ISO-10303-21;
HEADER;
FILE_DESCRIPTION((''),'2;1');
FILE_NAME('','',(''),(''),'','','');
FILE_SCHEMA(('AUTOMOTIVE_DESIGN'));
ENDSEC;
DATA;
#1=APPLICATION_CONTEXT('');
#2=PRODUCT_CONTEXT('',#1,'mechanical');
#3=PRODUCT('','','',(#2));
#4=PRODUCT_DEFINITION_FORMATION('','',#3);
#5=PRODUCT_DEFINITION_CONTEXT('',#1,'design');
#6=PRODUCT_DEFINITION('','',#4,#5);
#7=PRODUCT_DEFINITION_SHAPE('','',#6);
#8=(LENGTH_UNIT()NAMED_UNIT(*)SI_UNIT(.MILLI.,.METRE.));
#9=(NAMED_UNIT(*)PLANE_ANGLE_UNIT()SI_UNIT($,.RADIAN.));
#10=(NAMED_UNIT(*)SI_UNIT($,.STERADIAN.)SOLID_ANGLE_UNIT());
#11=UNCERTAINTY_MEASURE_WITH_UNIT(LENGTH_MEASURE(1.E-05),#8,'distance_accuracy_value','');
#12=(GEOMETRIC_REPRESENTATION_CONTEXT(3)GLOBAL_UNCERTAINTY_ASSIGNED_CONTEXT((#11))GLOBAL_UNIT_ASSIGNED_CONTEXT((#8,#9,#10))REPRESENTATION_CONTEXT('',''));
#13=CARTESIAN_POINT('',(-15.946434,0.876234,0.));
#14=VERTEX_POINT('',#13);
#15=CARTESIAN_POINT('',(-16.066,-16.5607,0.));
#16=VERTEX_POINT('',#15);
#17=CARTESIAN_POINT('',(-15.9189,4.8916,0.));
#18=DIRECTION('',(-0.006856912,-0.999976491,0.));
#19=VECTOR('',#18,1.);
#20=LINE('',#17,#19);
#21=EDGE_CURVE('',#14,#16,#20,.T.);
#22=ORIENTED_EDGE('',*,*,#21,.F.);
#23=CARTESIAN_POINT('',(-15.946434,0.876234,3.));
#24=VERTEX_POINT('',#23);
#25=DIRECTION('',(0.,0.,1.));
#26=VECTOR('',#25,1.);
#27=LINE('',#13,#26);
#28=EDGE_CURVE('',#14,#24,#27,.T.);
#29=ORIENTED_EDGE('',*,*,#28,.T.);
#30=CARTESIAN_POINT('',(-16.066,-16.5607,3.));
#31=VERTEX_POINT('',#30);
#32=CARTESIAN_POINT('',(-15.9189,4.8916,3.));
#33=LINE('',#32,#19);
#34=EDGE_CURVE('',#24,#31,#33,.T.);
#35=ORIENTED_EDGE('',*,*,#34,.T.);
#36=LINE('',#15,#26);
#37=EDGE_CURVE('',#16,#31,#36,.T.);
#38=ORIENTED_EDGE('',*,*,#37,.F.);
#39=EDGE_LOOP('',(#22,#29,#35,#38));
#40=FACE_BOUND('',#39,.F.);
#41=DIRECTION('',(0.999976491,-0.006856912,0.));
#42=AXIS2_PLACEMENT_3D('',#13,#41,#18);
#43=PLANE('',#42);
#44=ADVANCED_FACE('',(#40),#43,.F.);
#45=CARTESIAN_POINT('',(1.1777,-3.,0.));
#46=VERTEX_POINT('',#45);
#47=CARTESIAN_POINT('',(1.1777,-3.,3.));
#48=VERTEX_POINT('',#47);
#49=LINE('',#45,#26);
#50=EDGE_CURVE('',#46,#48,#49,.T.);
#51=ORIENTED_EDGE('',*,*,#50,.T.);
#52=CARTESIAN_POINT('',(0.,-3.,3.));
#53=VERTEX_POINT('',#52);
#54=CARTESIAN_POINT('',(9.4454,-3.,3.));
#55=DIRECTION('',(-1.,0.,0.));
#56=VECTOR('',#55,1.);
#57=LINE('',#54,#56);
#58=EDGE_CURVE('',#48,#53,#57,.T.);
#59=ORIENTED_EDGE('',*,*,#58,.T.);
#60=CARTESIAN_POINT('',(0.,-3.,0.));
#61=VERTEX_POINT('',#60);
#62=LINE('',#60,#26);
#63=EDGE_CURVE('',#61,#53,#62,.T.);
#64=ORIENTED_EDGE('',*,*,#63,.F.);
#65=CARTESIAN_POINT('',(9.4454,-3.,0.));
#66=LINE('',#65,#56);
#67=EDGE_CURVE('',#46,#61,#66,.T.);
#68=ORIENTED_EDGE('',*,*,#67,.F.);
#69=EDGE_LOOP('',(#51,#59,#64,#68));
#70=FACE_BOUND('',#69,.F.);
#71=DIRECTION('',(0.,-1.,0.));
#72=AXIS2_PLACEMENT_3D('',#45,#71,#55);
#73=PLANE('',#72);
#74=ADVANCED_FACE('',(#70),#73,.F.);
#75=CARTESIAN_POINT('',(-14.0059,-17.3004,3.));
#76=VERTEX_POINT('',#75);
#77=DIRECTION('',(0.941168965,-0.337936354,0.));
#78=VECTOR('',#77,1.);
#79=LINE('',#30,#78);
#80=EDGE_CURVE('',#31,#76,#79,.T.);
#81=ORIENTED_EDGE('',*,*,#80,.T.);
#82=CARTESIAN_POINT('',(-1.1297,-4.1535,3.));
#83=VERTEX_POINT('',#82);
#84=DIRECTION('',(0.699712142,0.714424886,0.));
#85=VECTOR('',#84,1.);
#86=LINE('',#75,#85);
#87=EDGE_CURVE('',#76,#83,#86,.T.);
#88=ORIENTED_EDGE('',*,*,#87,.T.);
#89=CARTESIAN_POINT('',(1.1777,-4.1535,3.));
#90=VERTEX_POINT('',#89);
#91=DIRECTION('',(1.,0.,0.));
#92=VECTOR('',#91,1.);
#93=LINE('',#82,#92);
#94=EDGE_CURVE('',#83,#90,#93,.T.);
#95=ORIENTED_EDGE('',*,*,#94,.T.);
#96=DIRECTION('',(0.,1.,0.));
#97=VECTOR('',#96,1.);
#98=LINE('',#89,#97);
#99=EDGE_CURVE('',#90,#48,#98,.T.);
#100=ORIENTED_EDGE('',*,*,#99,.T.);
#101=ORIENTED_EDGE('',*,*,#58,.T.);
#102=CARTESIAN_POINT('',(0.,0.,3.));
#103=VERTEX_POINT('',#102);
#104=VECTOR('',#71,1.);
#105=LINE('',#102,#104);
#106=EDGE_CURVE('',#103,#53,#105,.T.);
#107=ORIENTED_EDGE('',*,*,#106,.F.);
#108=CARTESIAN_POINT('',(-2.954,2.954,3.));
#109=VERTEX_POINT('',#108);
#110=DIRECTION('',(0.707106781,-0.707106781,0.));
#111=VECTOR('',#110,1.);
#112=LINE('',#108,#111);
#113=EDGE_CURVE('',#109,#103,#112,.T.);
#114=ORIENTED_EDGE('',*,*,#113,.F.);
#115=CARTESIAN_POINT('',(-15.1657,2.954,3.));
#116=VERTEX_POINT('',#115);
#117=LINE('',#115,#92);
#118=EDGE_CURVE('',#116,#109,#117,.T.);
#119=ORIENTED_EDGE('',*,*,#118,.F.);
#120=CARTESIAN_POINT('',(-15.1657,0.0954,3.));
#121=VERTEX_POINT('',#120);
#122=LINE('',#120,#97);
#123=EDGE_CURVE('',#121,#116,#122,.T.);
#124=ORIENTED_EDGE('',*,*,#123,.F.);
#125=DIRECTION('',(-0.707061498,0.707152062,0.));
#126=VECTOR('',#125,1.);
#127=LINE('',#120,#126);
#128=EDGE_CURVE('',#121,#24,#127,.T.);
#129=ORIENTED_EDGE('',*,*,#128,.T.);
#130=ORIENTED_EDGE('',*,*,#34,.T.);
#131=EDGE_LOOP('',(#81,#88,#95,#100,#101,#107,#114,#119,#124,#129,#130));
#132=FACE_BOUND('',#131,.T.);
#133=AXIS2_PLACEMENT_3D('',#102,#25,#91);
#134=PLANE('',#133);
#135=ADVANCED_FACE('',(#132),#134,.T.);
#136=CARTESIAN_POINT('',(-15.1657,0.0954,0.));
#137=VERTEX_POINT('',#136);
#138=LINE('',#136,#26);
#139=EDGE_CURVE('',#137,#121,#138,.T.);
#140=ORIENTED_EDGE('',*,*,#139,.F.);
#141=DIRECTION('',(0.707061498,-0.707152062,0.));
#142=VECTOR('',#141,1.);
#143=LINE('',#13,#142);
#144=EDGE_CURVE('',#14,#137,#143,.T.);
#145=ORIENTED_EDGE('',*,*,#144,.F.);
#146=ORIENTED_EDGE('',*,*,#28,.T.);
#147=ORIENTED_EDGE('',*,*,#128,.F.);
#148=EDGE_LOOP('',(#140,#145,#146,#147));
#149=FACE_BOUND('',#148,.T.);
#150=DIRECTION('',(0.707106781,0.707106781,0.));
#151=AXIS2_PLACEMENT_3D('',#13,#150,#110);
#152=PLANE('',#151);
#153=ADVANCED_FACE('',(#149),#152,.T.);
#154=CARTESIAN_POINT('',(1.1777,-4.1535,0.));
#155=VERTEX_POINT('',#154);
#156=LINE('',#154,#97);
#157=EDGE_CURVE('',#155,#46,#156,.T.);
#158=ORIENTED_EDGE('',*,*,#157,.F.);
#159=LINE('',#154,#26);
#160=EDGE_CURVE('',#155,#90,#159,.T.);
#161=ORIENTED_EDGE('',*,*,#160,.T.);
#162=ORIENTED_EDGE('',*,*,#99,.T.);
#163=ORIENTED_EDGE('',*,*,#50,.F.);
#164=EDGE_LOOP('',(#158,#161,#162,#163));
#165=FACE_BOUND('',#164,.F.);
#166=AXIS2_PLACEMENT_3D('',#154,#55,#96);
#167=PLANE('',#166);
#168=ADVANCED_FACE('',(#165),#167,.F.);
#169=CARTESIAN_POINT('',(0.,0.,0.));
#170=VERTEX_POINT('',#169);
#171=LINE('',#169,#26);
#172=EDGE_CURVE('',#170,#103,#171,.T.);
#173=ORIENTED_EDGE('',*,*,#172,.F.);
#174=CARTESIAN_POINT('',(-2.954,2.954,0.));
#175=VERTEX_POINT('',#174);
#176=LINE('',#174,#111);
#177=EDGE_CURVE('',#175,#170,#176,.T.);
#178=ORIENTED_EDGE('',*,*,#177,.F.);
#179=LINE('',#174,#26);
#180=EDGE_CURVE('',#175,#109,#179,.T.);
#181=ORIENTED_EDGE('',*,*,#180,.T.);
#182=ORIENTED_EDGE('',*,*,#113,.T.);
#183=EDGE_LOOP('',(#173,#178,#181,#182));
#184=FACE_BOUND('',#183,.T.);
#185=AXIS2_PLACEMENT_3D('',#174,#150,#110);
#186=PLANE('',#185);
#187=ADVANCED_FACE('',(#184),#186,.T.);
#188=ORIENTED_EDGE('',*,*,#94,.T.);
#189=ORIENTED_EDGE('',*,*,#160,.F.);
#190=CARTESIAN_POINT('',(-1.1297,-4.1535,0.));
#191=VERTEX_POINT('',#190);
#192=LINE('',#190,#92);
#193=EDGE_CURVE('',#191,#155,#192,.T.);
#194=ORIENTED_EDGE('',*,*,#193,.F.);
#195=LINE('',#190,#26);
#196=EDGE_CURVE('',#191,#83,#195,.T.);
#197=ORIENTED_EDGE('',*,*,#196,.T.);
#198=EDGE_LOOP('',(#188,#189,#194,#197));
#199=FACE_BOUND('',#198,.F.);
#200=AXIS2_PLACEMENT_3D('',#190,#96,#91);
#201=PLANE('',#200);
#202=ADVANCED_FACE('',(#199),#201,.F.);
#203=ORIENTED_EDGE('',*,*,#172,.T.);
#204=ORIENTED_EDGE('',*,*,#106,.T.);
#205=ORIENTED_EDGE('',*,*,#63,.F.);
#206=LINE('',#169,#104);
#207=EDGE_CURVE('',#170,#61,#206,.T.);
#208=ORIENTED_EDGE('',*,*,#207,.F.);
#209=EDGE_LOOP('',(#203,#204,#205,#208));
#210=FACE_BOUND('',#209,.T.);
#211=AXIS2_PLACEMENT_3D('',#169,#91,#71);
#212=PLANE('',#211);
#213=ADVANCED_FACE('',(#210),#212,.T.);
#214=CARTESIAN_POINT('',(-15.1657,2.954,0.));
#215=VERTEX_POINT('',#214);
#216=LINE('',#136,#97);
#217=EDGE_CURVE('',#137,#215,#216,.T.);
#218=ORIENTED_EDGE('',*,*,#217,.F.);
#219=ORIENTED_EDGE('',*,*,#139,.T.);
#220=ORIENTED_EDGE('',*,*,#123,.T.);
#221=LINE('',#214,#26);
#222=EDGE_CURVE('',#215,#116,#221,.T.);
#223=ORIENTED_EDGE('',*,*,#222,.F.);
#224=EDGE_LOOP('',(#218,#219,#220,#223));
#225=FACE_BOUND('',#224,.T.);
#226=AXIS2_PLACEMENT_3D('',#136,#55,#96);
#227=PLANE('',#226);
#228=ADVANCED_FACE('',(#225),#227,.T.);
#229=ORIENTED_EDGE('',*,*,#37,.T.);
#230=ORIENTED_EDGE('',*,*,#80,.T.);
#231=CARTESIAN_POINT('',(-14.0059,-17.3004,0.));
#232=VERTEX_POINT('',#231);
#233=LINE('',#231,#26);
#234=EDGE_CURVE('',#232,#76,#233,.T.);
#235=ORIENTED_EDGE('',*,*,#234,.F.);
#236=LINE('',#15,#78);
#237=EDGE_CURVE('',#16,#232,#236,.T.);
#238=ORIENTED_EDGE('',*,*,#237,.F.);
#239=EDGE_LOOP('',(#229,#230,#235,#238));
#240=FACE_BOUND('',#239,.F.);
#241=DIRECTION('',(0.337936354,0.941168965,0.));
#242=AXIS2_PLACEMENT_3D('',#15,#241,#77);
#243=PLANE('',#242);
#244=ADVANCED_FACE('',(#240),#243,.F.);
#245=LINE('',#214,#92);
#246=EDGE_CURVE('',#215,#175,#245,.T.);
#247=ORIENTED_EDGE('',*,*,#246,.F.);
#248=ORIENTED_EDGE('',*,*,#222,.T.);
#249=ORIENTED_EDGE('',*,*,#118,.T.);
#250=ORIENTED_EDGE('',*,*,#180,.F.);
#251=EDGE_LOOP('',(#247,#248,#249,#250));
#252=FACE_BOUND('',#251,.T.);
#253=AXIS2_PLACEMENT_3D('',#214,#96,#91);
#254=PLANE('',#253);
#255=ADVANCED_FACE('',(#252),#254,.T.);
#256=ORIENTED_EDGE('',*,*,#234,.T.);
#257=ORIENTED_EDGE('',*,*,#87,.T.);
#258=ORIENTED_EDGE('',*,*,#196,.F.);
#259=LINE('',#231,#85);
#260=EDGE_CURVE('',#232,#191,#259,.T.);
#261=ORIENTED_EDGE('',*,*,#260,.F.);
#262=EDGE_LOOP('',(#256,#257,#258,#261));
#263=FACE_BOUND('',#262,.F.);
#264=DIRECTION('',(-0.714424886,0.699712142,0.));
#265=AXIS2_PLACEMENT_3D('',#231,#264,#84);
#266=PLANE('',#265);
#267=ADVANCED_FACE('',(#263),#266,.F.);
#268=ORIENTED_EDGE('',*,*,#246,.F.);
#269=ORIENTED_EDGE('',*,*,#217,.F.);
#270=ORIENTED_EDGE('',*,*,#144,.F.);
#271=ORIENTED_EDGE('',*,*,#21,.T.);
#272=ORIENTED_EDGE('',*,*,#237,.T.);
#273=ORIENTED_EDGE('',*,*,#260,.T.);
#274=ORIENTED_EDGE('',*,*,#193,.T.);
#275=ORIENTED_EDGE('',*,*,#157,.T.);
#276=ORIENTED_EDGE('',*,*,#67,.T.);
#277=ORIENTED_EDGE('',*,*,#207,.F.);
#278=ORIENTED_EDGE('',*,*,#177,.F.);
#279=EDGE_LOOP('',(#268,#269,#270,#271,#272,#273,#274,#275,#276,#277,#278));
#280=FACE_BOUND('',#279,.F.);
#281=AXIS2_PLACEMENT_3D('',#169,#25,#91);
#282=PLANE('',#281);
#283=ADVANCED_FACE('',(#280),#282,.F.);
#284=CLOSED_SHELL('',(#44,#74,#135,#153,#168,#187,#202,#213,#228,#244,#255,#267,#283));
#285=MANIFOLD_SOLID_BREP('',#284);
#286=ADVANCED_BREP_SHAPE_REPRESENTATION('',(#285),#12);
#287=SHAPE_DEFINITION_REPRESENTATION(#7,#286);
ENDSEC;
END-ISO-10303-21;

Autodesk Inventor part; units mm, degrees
ref_plane "YZ Plane" through (0, 0, 0) normal (1, 0, 0) x (0, 1, 0)
ref_plane "XZ Plane" through (0, 0, 0) normal (0, 1, 0) x (-1, 0, 0)
ref_plane "XY Plane" through (0, 0, 0) normal (0, 0, 1) x (1, 0, 0)
sketch "Sketch1" plane through (0, 0, 0) normal (0, 0, 1) x (1, 0, 0)
  line L0 (-12.2116, 0) -> (-19.3116, 7.1)
  line L1 (-12.2116, 0) -> (7.1196, 0)
  line L2 (-15.1657, 0.0954) -> (-15.1657, 2.954)
  line L3 (-20.1702, 5.1) -> (-12.2116, -2.8586)
  line L4 (9.4454, -3) -> (-12.2116, -3)
  line L5 (0, 0) -> (0, -3)
  line L6 (-12.2116, -3) -> (-12.2116, -2.8586)
  line L7 (-15.1657, 0.0954) -> (-15.9189, 0.8486)
  line L8 (-15.9189, 0.8486) -> (-15.9189, 4.8916)
  line L9 (-15.9189, 4.8916) -> (-16.066, -16.5607)
  line L10 (-16.066, -16.5607) -> (-14.0059, -17.3004)
  line L11 (-14.0059, -17.3004) -> (0, -3)
  line L12 (-1.1297, -4.1535) -> (1.1777, -4.1535)
  line L13 (1.1777, -4.1535) -> (1.1777, -3)
  line L14 (0, -3) -> (1.1777, -3)
  line L15 (-15.1657, 2.954) -> (-2.954, 2.954)
  line L16 (-2.954, 2.954) -> (0, 0)
  point P0 (-15.9464, 0.8762)
extrude "Extrusion1" add sketch "Sketch1" along normal blind 3 contours L1 L5 L4 L6 L3 L2 L0 | L0 L15 L16 L1 | L3 L6 L4 L11 L10 L9 | L4 L13 L12 L11
properties part number "Light_guide" material "PET Plastic"
